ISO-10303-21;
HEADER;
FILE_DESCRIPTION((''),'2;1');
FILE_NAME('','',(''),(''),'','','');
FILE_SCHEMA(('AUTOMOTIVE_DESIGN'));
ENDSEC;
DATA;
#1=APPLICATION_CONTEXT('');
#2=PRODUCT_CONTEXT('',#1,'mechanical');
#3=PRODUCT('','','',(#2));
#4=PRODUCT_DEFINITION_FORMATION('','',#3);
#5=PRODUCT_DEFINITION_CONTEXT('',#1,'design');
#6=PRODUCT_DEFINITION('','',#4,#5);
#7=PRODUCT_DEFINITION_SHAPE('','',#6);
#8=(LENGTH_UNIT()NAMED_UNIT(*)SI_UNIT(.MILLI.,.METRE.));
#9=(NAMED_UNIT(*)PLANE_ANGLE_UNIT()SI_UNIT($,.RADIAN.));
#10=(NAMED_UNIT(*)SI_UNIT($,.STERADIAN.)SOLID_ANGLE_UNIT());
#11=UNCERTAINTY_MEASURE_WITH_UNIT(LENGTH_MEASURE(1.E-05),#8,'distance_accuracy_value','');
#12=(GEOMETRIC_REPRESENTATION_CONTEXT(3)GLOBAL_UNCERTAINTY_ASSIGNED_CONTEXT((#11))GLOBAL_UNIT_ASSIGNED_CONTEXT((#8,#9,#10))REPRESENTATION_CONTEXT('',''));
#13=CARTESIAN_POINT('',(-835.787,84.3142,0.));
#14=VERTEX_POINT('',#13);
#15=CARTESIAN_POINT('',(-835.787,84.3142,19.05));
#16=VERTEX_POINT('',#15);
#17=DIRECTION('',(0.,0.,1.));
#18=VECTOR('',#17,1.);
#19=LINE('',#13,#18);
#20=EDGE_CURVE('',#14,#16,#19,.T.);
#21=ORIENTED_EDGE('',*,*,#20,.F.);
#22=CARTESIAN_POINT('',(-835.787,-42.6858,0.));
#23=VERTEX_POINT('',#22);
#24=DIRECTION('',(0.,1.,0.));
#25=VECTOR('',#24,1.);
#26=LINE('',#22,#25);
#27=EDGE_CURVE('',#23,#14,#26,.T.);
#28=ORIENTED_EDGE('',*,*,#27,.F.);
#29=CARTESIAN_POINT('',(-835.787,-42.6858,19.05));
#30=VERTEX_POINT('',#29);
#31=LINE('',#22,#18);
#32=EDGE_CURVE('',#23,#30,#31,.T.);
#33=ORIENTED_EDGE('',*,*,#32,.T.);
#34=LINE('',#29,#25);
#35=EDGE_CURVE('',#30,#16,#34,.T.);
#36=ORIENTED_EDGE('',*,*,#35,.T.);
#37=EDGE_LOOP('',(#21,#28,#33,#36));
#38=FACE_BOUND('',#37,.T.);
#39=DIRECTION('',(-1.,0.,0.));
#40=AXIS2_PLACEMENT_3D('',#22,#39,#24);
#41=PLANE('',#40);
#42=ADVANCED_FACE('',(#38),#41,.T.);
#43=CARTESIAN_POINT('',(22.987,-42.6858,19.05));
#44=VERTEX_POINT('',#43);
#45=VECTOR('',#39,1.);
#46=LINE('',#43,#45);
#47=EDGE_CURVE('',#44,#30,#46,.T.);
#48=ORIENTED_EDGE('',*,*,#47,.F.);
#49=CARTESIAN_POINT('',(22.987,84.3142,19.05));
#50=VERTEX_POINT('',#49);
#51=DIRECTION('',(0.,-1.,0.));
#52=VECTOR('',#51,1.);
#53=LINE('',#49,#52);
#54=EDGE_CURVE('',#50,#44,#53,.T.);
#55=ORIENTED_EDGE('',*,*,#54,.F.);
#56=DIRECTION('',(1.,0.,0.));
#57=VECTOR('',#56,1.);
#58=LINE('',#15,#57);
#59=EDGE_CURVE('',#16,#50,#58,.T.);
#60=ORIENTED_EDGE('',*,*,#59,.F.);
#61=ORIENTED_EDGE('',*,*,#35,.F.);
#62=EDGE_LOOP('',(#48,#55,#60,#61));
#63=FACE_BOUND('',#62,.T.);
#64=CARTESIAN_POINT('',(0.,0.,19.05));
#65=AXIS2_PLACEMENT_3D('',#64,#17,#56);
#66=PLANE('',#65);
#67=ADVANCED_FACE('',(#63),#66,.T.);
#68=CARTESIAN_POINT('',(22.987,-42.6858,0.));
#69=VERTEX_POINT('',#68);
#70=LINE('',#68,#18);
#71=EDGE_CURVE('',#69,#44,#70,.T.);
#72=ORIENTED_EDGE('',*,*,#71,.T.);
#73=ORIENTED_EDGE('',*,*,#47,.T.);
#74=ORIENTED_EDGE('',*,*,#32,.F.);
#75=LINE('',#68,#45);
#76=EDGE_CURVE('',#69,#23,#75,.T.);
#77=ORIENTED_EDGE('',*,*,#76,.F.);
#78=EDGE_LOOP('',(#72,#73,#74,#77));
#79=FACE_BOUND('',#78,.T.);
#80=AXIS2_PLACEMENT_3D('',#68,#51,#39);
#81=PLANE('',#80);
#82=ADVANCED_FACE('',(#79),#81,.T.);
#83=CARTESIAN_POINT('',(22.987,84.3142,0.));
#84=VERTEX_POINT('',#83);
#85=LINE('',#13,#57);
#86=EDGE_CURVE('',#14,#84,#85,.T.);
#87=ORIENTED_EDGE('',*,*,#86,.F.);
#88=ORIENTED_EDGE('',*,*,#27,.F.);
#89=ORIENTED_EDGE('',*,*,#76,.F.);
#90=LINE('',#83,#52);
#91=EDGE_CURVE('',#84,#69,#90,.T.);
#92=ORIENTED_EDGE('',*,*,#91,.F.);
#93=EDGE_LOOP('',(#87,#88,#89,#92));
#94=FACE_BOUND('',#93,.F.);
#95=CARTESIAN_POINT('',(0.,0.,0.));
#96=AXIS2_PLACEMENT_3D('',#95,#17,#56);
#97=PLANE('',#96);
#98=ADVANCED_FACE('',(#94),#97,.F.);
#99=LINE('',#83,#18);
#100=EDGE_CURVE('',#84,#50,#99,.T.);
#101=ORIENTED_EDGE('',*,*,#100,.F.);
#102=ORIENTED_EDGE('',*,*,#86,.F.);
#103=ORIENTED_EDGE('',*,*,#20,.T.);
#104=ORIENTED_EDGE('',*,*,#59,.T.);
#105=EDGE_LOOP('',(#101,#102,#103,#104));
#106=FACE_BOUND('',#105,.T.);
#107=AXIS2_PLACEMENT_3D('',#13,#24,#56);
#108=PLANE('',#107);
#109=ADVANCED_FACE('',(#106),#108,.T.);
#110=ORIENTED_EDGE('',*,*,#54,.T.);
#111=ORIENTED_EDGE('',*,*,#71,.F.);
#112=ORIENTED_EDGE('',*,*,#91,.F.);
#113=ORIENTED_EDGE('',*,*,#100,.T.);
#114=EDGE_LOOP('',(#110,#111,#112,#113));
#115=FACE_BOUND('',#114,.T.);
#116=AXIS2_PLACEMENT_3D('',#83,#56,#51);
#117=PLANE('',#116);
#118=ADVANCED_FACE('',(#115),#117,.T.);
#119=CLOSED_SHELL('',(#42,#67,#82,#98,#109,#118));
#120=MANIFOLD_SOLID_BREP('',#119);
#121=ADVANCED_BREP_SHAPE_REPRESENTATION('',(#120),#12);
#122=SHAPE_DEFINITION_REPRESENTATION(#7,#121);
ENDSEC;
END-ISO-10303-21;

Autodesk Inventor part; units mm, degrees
ref_plane "YZ Plane" through (0, 0, 0) normal (1, 0, 0) x (0, 1, 0)
ref_plane "XZ Plane" through (0, 0, 0) normal (0, 1, 0) x (-1, 0, 0)
ref_plane "XY Plane" through (0, 0, 0) normal (0, 0, 1) x (1, 0, 0)
sketch "Sketch1" plane through (0, 0, 0) normal (0, 0, 1) x (1, 0, 0)
  line L0 (22.987, 84.3142) -> (22.987, -42.6858) projected
  line L1 (-835.787, -42.6858) -> (-835.787, 84.3142) projected
  line L2 (22.987, -42.6858) -> (-835.787, -42.6858)
  line L3 (-835.787, -42.6858) -> (-835.787, 84.3142)
  line L4 (-835.787, 84.3142) -> (22.987, 84.3142)
  line L5 (22.987, 84.3142) -> (22.987, -42.6858)
  point P0 (0, 0)
extrude "Extrusion1" add sketch "Sketch1" along normal blind 19.05
properties part number "Side Board"
